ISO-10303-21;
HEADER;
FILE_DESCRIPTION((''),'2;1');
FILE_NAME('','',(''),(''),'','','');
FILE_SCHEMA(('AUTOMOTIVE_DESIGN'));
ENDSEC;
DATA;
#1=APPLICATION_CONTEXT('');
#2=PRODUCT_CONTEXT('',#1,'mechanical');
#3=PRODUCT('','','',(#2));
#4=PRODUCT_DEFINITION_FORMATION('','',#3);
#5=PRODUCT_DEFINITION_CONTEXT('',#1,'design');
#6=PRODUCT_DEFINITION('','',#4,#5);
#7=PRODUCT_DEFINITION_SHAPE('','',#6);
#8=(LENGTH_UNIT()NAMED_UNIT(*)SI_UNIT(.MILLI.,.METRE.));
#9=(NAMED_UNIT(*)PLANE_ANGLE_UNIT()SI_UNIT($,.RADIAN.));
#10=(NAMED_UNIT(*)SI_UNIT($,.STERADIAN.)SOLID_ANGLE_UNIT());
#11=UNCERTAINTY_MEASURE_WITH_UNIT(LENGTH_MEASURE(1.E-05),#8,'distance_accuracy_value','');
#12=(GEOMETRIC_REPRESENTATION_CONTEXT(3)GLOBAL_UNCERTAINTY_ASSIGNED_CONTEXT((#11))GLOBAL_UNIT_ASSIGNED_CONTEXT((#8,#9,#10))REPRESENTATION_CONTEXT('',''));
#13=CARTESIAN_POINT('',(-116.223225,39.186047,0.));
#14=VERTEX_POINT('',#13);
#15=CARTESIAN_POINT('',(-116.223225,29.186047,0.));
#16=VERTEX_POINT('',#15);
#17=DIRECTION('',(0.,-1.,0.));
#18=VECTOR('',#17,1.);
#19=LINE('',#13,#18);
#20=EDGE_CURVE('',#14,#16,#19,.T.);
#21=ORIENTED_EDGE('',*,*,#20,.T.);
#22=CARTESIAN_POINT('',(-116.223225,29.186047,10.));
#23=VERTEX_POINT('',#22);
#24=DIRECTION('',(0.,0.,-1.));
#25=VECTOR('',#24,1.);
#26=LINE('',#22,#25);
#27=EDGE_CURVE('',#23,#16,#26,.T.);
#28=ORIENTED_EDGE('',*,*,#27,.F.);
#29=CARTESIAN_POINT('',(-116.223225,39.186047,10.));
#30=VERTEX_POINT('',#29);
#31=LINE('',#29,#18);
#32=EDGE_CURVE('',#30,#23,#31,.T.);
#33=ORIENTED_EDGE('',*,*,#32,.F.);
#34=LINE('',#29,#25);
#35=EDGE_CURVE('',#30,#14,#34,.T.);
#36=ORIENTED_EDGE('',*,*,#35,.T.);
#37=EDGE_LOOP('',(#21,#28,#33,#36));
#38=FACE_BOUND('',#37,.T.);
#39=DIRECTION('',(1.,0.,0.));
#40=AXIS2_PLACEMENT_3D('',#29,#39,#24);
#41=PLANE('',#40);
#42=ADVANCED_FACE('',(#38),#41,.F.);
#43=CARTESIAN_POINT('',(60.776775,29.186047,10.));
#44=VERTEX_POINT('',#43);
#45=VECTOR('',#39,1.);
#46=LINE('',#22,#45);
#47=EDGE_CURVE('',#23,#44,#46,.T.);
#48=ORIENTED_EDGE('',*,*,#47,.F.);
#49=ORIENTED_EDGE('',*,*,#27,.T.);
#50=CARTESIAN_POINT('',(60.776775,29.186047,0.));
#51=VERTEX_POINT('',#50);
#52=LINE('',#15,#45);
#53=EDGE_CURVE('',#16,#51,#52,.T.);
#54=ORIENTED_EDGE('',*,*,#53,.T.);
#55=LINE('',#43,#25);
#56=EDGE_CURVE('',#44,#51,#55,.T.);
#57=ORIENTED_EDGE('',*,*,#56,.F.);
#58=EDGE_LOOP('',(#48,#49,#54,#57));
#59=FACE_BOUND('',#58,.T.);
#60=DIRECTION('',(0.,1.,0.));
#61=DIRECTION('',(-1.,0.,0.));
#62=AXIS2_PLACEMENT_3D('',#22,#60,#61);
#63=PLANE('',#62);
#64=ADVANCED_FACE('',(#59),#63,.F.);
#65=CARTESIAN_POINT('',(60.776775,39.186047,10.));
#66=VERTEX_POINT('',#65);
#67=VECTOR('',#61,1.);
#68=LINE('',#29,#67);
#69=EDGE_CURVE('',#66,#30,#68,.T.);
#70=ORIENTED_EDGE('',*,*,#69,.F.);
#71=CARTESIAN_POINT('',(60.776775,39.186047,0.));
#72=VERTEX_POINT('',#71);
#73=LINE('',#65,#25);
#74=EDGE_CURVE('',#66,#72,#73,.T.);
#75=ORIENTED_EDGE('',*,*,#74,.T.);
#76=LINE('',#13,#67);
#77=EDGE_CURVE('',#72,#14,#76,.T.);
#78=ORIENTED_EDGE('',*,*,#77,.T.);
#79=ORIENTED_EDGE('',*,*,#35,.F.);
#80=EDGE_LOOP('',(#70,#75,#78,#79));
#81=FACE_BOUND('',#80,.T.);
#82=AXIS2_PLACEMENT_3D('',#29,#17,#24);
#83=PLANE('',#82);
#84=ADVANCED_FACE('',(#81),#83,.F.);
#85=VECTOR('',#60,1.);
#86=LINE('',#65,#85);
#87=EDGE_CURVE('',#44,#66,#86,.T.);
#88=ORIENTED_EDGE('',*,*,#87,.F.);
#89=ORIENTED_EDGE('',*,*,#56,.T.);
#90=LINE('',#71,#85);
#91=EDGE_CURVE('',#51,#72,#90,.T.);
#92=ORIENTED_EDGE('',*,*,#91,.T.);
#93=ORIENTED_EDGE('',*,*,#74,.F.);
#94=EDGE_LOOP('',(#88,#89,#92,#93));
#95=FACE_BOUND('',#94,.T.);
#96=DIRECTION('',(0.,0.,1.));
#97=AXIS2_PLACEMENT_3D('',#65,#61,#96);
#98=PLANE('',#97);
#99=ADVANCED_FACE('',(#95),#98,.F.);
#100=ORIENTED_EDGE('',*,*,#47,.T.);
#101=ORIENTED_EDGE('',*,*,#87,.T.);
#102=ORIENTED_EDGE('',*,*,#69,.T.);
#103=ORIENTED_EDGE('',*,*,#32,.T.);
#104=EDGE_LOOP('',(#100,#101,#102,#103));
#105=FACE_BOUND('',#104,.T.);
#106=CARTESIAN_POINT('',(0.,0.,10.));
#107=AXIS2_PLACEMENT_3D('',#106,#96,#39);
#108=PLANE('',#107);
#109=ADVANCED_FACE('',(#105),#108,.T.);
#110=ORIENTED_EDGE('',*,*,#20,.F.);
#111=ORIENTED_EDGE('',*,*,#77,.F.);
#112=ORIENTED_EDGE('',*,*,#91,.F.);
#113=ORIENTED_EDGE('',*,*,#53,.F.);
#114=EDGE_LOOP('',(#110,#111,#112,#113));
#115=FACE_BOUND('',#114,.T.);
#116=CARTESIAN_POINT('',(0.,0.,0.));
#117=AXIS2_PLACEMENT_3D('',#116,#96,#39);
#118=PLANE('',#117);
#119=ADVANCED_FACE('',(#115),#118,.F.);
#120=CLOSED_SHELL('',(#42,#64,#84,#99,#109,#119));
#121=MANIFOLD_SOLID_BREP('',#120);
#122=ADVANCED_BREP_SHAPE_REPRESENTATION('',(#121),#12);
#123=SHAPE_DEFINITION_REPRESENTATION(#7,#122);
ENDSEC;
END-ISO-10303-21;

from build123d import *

# Parameters (mm, degrees)
ESQUISSE1_W        = 177
ESQUISSE1_H        = 10
BOSS_EXTRU_1_DEPTH = 10


with BuildPart() as part:
    # Esquisse1 → Boss.-Extru.1 (new body)
    with BuildSketch(Plane.XY):
        with Locations((-27.723225214, 34.186046512)):
            Rectangle(ESQUISSE1_W, ESQUISSE1_H)
    extrude(amount=BOSS_EXTRU_1_DEPTH)


solid = part.part
